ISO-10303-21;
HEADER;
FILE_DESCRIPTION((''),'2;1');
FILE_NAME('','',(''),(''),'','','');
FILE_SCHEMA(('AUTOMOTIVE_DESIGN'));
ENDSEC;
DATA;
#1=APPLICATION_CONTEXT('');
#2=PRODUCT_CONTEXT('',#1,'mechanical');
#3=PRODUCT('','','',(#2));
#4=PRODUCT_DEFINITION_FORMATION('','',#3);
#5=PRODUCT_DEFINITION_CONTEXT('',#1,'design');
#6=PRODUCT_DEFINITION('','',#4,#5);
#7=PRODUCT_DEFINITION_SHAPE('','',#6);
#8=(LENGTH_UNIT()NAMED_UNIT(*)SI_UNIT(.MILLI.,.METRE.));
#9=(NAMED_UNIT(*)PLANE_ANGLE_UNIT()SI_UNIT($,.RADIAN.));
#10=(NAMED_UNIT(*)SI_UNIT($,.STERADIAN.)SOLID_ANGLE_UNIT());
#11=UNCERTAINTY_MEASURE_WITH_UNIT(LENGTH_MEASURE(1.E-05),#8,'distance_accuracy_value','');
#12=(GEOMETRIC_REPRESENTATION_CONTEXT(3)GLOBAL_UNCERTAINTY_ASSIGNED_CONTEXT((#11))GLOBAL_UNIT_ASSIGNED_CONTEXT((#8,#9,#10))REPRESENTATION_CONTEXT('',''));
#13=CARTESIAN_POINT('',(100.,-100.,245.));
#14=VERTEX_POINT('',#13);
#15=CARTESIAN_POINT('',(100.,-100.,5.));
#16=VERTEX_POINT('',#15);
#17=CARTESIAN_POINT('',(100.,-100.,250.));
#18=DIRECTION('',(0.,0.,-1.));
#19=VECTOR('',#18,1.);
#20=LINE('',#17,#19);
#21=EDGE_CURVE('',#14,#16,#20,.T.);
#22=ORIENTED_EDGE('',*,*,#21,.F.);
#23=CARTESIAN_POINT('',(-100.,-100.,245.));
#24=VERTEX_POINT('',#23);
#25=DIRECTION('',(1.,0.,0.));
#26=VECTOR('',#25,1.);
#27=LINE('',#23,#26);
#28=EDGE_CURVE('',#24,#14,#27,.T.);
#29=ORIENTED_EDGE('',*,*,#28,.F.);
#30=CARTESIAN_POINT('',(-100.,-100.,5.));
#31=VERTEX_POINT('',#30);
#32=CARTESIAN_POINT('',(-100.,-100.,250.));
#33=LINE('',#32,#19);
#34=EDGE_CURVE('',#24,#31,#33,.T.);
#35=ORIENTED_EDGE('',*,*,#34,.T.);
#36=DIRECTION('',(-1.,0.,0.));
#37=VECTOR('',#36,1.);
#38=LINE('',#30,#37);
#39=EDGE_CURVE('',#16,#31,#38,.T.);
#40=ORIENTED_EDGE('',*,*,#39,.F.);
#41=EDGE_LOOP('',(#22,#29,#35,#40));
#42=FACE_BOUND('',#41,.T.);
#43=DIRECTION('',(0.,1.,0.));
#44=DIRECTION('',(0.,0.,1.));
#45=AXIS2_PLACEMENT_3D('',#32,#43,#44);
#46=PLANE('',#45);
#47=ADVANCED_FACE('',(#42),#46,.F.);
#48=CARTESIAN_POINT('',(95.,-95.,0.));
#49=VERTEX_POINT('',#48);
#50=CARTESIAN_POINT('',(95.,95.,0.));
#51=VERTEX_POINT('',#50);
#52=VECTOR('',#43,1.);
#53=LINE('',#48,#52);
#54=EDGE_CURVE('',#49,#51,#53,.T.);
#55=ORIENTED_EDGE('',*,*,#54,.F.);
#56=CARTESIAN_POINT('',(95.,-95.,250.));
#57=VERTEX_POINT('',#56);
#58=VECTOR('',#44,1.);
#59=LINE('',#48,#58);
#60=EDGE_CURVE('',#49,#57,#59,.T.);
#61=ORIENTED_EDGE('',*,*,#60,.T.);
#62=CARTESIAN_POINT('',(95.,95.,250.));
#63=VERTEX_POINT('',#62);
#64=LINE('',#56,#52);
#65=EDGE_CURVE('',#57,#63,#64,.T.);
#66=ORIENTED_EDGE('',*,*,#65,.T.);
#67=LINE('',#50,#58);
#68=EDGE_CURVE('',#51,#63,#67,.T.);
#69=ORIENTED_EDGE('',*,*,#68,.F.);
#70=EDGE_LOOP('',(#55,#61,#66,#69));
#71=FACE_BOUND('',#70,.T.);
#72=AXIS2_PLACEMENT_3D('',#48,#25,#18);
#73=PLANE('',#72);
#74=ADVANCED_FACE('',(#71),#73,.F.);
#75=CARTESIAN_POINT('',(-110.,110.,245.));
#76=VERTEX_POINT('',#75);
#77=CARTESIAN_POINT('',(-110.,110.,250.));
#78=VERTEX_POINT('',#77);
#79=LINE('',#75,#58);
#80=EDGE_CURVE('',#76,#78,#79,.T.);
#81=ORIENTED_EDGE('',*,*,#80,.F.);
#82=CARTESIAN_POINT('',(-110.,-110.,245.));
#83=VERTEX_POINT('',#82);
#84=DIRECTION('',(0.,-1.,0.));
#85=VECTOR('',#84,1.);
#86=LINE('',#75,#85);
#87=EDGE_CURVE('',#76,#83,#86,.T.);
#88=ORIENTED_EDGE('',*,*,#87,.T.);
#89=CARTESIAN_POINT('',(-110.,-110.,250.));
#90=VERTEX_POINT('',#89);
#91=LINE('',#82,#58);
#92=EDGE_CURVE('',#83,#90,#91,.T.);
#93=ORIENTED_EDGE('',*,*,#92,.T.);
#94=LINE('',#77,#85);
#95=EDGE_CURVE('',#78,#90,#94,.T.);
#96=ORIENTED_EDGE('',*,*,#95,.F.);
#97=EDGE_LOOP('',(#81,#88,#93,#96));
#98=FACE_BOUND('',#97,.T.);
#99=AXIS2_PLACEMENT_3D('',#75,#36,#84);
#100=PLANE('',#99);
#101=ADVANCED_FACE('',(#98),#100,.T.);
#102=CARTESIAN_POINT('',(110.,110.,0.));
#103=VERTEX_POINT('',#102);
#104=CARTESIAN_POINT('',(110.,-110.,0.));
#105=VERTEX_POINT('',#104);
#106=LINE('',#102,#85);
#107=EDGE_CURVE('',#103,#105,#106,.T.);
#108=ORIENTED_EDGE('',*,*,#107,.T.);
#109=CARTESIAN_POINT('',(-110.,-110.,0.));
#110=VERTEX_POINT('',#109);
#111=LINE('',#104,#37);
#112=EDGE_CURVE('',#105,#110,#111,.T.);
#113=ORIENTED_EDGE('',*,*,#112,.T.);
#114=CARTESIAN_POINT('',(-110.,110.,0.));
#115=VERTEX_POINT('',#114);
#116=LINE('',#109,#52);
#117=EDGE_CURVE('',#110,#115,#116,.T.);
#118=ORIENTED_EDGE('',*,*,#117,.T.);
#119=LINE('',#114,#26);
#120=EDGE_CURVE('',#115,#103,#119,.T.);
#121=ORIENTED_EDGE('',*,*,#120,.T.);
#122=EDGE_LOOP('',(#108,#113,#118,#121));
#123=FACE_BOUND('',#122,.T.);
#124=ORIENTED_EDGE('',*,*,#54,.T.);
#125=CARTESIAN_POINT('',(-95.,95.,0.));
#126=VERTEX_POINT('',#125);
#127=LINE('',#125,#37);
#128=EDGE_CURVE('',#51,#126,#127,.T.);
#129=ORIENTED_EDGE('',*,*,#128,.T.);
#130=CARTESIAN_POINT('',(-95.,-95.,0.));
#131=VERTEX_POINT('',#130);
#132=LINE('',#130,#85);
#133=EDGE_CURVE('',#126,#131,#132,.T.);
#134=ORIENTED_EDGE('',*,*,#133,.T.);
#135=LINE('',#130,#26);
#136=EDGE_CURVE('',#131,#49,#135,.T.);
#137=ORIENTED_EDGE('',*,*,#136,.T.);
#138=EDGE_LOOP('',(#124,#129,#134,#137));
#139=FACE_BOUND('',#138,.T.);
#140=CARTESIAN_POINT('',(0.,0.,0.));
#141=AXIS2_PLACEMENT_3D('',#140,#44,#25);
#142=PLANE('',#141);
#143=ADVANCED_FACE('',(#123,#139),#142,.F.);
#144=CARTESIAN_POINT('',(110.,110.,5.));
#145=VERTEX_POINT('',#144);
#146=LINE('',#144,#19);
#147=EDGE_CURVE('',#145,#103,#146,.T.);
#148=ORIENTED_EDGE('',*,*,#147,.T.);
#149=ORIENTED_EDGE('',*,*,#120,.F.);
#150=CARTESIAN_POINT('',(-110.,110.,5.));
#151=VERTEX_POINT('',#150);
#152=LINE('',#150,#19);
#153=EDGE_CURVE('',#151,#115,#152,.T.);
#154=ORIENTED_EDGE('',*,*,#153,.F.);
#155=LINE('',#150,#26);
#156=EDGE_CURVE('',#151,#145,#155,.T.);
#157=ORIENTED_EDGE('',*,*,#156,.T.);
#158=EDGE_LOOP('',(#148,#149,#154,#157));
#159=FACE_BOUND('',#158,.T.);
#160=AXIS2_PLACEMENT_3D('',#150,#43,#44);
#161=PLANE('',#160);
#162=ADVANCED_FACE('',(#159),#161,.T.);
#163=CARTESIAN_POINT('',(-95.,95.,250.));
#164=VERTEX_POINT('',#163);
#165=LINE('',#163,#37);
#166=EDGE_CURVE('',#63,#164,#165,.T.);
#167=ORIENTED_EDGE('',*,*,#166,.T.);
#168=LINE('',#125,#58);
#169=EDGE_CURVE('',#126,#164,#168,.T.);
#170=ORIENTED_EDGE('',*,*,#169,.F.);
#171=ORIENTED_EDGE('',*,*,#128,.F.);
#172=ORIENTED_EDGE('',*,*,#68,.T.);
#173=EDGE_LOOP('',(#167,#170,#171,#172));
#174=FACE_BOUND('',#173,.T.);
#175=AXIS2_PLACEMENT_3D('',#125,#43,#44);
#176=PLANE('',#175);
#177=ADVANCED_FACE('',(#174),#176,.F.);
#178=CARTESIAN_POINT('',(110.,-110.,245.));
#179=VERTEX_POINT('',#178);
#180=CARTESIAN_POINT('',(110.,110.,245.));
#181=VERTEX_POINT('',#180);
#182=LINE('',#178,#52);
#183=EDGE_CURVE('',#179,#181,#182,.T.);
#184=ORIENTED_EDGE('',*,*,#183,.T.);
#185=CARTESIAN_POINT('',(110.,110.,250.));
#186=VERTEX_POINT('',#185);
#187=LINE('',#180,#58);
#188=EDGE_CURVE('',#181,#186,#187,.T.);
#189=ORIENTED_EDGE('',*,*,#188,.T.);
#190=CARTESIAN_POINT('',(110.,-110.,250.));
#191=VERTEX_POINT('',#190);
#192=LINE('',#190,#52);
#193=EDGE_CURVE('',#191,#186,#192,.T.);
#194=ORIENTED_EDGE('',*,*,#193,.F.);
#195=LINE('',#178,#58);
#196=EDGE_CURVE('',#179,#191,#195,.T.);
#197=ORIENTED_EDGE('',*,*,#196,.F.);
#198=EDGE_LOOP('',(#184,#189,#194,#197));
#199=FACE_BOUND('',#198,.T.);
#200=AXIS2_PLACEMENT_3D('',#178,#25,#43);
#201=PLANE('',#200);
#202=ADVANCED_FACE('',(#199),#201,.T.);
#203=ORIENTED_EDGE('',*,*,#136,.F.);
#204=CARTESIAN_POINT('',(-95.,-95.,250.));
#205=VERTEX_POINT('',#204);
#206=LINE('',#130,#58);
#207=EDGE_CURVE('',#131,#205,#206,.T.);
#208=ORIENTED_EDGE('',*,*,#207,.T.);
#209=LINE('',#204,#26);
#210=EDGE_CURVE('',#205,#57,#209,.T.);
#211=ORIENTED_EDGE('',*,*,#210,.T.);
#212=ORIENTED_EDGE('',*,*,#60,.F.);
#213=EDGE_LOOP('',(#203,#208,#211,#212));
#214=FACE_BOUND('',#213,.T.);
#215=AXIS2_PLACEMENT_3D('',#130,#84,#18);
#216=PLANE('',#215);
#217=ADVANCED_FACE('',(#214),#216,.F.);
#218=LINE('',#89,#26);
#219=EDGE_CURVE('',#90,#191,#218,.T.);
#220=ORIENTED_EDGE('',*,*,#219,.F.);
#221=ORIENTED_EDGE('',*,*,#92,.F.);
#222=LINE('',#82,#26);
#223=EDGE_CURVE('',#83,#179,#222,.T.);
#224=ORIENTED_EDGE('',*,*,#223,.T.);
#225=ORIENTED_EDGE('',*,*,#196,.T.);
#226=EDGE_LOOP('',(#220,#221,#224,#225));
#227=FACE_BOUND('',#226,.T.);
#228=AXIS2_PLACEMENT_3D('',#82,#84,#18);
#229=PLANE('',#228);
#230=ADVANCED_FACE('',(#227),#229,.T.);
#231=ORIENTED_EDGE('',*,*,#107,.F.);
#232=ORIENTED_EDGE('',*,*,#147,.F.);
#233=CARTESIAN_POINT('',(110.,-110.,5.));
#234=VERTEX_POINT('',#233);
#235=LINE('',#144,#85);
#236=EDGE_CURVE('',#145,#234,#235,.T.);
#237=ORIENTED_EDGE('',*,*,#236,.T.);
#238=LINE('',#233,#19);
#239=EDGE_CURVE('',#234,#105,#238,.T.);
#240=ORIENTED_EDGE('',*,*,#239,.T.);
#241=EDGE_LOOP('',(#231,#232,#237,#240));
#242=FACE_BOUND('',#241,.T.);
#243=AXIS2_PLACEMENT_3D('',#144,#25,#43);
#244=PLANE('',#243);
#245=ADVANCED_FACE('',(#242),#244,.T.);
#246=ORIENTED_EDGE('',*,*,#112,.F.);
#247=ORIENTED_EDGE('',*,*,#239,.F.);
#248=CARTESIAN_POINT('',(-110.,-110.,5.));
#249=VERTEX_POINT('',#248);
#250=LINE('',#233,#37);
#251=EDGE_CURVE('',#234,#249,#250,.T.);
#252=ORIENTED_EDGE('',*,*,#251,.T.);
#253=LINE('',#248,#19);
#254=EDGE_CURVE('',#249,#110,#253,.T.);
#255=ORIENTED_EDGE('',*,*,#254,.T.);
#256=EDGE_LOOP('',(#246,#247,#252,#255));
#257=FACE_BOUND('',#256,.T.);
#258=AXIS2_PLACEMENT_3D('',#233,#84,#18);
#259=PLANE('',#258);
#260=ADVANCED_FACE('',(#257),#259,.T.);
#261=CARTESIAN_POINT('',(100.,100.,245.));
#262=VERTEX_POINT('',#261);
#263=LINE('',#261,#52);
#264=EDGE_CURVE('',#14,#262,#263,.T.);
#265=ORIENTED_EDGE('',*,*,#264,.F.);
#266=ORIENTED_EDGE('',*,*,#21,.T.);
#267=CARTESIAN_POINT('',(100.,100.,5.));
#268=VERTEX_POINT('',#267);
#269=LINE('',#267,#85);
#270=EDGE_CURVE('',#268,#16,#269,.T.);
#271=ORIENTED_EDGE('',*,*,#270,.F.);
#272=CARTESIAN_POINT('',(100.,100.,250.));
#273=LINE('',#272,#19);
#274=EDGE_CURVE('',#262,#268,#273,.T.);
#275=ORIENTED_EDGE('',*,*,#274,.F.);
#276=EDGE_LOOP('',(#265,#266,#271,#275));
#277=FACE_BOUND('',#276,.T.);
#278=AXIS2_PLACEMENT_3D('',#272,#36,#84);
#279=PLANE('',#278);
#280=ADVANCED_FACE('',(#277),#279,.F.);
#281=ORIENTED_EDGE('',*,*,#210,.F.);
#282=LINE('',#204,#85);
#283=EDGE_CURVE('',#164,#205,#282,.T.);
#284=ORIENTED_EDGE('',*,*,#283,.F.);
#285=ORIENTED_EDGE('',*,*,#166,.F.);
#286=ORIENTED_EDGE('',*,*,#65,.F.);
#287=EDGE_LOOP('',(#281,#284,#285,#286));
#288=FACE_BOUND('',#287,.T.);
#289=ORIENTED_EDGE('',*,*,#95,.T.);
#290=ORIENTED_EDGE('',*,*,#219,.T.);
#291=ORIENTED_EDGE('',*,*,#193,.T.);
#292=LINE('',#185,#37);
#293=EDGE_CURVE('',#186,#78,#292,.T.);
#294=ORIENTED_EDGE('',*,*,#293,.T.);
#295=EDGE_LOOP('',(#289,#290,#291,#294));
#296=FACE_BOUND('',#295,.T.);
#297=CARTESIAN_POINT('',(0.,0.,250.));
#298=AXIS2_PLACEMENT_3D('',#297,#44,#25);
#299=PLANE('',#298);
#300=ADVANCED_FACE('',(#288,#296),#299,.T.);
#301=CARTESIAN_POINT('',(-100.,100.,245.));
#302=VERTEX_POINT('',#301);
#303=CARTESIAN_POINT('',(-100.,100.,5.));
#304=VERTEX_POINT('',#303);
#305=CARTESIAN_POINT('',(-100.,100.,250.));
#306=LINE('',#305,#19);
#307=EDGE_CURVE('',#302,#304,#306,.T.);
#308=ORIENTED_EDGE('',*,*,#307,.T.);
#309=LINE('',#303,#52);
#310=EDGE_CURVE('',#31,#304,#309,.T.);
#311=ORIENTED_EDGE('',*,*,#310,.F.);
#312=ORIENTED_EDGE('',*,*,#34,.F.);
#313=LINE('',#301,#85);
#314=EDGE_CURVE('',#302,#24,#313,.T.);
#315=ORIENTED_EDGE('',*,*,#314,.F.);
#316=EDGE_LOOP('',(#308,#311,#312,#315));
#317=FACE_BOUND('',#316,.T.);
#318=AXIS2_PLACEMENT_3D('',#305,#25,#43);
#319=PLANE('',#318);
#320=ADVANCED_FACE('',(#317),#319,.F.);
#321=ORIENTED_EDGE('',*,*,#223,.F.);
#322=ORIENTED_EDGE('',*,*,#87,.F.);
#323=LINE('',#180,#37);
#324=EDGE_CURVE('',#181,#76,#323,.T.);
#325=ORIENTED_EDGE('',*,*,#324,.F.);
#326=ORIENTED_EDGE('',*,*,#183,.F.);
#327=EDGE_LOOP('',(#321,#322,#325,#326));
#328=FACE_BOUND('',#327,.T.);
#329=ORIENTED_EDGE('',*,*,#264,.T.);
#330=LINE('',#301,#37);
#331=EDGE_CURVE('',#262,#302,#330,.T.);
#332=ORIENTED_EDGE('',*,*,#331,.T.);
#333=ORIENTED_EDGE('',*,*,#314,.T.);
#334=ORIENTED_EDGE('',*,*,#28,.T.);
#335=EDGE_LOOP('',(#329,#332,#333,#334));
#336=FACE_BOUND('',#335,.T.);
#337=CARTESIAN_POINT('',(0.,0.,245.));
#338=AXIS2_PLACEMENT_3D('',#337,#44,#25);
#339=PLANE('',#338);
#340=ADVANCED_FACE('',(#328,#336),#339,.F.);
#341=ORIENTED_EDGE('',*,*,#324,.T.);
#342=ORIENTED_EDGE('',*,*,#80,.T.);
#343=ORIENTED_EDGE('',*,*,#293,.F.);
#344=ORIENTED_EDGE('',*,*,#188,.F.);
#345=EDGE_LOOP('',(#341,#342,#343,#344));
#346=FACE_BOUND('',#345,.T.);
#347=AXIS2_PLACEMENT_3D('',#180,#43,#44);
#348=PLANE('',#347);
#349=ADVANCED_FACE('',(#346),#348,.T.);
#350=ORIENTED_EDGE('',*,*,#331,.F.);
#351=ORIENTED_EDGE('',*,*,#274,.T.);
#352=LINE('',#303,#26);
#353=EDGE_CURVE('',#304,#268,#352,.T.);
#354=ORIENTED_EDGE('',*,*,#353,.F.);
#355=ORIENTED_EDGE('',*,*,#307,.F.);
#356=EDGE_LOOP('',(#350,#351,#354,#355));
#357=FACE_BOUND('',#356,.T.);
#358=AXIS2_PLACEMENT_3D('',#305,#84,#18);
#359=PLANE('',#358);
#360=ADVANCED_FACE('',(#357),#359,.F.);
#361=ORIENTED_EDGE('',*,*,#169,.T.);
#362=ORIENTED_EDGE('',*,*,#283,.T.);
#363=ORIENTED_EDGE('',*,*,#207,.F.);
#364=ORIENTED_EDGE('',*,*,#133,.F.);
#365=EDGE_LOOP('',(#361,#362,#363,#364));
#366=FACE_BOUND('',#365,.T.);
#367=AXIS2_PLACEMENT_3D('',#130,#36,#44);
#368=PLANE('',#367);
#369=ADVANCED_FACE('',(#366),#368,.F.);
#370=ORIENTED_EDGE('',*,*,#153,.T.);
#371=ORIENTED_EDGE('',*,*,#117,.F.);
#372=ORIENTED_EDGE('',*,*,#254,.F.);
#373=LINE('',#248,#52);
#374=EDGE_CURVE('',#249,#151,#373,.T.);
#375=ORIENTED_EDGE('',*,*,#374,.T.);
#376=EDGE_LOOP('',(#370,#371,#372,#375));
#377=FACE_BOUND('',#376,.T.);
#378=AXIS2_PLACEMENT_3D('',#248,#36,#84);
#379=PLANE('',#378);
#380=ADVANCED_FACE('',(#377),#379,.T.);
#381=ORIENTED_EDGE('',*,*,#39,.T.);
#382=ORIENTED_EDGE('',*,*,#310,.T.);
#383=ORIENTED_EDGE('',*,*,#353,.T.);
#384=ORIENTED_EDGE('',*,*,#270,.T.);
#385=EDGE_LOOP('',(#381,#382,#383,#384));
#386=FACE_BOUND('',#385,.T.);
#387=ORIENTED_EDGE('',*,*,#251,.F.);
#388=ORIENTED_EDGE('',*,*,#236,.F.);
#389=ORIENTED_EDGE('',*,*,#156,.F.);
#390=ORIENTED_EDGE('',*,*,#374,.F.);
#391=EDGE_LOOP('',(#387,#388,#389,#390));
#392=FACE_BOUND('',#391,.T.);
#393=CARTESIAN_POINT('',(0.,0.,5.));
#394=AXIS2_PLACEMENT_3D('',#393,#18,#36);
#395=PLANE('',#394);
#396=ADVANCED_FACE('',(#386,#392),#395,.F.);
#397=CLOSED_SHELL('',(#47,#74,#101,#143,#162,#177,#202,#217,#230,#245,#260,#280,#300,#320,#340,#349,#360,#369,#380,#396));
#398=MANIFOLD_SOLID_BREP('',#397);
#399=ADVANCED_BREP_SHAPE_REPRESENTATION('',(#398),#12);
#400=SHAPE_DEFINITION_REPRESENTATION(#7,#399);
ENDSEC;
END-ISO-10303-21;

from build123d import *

# Parameters (mm, degrees)
SKETCH1_W           = 200
SKETCH1_H           = 200
BOSS_EXTRUDE1_DEPTH = 250
SKETCH2_W           = 220
SKETCH2_H           = 220
BOSS_EXTRUDE3_DEPTH = 5
SKETCH3_W           = 220
SKETCH3_H           = 220
BOSS_EXTRUDE4_DEPTH = 5
SKETCH4_W           = 190
SKETCH4_H           = 190
CUT_EXTRUDE1_DEPTH  = 251


with BuildPart() as part:
    # Sketch1 → Boss-Extrude1 (new body)
    with BuildSketch(Plane.XY):
        Rectangle(SKETCH1_W, SKETCH1_H)
    extrude(amount=BOSS_EXTRUDE1_DEPTH)

    # Sketch2 → Boss-Extrude3 (add)
    with BuildSketch(Plane.XY.offset(250)):
        Rectangle(SKETCH2_W, SKETCH2_H)
    extrude(amount=-BOSS_EXTRUDE3_DEPTH)

    # Sketch3 → Boss-Extrude4 (add)
    with BuildSketch(Plane(origin=(0, 0, 0), x_dir=(-1, 0, 0), z_dir=(0, 0, -1))):
        Rectangle(SKETCH3_W, SKETCH3_H)
    extrude(amount=-BOSS_EXTRUDE4_DEPTH)

    # Sketch4 → Cut-Extrude1 (cut, through all)
    with BuildSketch(Plane.XY.offset(250)):
        Rectangle(SKETCH4_W, SKETCH4_H)
    extrude(amount=-CUT_EXTRUDE1_DEPTH, mode=Mode.SUBTRACT)


solid = part.part
